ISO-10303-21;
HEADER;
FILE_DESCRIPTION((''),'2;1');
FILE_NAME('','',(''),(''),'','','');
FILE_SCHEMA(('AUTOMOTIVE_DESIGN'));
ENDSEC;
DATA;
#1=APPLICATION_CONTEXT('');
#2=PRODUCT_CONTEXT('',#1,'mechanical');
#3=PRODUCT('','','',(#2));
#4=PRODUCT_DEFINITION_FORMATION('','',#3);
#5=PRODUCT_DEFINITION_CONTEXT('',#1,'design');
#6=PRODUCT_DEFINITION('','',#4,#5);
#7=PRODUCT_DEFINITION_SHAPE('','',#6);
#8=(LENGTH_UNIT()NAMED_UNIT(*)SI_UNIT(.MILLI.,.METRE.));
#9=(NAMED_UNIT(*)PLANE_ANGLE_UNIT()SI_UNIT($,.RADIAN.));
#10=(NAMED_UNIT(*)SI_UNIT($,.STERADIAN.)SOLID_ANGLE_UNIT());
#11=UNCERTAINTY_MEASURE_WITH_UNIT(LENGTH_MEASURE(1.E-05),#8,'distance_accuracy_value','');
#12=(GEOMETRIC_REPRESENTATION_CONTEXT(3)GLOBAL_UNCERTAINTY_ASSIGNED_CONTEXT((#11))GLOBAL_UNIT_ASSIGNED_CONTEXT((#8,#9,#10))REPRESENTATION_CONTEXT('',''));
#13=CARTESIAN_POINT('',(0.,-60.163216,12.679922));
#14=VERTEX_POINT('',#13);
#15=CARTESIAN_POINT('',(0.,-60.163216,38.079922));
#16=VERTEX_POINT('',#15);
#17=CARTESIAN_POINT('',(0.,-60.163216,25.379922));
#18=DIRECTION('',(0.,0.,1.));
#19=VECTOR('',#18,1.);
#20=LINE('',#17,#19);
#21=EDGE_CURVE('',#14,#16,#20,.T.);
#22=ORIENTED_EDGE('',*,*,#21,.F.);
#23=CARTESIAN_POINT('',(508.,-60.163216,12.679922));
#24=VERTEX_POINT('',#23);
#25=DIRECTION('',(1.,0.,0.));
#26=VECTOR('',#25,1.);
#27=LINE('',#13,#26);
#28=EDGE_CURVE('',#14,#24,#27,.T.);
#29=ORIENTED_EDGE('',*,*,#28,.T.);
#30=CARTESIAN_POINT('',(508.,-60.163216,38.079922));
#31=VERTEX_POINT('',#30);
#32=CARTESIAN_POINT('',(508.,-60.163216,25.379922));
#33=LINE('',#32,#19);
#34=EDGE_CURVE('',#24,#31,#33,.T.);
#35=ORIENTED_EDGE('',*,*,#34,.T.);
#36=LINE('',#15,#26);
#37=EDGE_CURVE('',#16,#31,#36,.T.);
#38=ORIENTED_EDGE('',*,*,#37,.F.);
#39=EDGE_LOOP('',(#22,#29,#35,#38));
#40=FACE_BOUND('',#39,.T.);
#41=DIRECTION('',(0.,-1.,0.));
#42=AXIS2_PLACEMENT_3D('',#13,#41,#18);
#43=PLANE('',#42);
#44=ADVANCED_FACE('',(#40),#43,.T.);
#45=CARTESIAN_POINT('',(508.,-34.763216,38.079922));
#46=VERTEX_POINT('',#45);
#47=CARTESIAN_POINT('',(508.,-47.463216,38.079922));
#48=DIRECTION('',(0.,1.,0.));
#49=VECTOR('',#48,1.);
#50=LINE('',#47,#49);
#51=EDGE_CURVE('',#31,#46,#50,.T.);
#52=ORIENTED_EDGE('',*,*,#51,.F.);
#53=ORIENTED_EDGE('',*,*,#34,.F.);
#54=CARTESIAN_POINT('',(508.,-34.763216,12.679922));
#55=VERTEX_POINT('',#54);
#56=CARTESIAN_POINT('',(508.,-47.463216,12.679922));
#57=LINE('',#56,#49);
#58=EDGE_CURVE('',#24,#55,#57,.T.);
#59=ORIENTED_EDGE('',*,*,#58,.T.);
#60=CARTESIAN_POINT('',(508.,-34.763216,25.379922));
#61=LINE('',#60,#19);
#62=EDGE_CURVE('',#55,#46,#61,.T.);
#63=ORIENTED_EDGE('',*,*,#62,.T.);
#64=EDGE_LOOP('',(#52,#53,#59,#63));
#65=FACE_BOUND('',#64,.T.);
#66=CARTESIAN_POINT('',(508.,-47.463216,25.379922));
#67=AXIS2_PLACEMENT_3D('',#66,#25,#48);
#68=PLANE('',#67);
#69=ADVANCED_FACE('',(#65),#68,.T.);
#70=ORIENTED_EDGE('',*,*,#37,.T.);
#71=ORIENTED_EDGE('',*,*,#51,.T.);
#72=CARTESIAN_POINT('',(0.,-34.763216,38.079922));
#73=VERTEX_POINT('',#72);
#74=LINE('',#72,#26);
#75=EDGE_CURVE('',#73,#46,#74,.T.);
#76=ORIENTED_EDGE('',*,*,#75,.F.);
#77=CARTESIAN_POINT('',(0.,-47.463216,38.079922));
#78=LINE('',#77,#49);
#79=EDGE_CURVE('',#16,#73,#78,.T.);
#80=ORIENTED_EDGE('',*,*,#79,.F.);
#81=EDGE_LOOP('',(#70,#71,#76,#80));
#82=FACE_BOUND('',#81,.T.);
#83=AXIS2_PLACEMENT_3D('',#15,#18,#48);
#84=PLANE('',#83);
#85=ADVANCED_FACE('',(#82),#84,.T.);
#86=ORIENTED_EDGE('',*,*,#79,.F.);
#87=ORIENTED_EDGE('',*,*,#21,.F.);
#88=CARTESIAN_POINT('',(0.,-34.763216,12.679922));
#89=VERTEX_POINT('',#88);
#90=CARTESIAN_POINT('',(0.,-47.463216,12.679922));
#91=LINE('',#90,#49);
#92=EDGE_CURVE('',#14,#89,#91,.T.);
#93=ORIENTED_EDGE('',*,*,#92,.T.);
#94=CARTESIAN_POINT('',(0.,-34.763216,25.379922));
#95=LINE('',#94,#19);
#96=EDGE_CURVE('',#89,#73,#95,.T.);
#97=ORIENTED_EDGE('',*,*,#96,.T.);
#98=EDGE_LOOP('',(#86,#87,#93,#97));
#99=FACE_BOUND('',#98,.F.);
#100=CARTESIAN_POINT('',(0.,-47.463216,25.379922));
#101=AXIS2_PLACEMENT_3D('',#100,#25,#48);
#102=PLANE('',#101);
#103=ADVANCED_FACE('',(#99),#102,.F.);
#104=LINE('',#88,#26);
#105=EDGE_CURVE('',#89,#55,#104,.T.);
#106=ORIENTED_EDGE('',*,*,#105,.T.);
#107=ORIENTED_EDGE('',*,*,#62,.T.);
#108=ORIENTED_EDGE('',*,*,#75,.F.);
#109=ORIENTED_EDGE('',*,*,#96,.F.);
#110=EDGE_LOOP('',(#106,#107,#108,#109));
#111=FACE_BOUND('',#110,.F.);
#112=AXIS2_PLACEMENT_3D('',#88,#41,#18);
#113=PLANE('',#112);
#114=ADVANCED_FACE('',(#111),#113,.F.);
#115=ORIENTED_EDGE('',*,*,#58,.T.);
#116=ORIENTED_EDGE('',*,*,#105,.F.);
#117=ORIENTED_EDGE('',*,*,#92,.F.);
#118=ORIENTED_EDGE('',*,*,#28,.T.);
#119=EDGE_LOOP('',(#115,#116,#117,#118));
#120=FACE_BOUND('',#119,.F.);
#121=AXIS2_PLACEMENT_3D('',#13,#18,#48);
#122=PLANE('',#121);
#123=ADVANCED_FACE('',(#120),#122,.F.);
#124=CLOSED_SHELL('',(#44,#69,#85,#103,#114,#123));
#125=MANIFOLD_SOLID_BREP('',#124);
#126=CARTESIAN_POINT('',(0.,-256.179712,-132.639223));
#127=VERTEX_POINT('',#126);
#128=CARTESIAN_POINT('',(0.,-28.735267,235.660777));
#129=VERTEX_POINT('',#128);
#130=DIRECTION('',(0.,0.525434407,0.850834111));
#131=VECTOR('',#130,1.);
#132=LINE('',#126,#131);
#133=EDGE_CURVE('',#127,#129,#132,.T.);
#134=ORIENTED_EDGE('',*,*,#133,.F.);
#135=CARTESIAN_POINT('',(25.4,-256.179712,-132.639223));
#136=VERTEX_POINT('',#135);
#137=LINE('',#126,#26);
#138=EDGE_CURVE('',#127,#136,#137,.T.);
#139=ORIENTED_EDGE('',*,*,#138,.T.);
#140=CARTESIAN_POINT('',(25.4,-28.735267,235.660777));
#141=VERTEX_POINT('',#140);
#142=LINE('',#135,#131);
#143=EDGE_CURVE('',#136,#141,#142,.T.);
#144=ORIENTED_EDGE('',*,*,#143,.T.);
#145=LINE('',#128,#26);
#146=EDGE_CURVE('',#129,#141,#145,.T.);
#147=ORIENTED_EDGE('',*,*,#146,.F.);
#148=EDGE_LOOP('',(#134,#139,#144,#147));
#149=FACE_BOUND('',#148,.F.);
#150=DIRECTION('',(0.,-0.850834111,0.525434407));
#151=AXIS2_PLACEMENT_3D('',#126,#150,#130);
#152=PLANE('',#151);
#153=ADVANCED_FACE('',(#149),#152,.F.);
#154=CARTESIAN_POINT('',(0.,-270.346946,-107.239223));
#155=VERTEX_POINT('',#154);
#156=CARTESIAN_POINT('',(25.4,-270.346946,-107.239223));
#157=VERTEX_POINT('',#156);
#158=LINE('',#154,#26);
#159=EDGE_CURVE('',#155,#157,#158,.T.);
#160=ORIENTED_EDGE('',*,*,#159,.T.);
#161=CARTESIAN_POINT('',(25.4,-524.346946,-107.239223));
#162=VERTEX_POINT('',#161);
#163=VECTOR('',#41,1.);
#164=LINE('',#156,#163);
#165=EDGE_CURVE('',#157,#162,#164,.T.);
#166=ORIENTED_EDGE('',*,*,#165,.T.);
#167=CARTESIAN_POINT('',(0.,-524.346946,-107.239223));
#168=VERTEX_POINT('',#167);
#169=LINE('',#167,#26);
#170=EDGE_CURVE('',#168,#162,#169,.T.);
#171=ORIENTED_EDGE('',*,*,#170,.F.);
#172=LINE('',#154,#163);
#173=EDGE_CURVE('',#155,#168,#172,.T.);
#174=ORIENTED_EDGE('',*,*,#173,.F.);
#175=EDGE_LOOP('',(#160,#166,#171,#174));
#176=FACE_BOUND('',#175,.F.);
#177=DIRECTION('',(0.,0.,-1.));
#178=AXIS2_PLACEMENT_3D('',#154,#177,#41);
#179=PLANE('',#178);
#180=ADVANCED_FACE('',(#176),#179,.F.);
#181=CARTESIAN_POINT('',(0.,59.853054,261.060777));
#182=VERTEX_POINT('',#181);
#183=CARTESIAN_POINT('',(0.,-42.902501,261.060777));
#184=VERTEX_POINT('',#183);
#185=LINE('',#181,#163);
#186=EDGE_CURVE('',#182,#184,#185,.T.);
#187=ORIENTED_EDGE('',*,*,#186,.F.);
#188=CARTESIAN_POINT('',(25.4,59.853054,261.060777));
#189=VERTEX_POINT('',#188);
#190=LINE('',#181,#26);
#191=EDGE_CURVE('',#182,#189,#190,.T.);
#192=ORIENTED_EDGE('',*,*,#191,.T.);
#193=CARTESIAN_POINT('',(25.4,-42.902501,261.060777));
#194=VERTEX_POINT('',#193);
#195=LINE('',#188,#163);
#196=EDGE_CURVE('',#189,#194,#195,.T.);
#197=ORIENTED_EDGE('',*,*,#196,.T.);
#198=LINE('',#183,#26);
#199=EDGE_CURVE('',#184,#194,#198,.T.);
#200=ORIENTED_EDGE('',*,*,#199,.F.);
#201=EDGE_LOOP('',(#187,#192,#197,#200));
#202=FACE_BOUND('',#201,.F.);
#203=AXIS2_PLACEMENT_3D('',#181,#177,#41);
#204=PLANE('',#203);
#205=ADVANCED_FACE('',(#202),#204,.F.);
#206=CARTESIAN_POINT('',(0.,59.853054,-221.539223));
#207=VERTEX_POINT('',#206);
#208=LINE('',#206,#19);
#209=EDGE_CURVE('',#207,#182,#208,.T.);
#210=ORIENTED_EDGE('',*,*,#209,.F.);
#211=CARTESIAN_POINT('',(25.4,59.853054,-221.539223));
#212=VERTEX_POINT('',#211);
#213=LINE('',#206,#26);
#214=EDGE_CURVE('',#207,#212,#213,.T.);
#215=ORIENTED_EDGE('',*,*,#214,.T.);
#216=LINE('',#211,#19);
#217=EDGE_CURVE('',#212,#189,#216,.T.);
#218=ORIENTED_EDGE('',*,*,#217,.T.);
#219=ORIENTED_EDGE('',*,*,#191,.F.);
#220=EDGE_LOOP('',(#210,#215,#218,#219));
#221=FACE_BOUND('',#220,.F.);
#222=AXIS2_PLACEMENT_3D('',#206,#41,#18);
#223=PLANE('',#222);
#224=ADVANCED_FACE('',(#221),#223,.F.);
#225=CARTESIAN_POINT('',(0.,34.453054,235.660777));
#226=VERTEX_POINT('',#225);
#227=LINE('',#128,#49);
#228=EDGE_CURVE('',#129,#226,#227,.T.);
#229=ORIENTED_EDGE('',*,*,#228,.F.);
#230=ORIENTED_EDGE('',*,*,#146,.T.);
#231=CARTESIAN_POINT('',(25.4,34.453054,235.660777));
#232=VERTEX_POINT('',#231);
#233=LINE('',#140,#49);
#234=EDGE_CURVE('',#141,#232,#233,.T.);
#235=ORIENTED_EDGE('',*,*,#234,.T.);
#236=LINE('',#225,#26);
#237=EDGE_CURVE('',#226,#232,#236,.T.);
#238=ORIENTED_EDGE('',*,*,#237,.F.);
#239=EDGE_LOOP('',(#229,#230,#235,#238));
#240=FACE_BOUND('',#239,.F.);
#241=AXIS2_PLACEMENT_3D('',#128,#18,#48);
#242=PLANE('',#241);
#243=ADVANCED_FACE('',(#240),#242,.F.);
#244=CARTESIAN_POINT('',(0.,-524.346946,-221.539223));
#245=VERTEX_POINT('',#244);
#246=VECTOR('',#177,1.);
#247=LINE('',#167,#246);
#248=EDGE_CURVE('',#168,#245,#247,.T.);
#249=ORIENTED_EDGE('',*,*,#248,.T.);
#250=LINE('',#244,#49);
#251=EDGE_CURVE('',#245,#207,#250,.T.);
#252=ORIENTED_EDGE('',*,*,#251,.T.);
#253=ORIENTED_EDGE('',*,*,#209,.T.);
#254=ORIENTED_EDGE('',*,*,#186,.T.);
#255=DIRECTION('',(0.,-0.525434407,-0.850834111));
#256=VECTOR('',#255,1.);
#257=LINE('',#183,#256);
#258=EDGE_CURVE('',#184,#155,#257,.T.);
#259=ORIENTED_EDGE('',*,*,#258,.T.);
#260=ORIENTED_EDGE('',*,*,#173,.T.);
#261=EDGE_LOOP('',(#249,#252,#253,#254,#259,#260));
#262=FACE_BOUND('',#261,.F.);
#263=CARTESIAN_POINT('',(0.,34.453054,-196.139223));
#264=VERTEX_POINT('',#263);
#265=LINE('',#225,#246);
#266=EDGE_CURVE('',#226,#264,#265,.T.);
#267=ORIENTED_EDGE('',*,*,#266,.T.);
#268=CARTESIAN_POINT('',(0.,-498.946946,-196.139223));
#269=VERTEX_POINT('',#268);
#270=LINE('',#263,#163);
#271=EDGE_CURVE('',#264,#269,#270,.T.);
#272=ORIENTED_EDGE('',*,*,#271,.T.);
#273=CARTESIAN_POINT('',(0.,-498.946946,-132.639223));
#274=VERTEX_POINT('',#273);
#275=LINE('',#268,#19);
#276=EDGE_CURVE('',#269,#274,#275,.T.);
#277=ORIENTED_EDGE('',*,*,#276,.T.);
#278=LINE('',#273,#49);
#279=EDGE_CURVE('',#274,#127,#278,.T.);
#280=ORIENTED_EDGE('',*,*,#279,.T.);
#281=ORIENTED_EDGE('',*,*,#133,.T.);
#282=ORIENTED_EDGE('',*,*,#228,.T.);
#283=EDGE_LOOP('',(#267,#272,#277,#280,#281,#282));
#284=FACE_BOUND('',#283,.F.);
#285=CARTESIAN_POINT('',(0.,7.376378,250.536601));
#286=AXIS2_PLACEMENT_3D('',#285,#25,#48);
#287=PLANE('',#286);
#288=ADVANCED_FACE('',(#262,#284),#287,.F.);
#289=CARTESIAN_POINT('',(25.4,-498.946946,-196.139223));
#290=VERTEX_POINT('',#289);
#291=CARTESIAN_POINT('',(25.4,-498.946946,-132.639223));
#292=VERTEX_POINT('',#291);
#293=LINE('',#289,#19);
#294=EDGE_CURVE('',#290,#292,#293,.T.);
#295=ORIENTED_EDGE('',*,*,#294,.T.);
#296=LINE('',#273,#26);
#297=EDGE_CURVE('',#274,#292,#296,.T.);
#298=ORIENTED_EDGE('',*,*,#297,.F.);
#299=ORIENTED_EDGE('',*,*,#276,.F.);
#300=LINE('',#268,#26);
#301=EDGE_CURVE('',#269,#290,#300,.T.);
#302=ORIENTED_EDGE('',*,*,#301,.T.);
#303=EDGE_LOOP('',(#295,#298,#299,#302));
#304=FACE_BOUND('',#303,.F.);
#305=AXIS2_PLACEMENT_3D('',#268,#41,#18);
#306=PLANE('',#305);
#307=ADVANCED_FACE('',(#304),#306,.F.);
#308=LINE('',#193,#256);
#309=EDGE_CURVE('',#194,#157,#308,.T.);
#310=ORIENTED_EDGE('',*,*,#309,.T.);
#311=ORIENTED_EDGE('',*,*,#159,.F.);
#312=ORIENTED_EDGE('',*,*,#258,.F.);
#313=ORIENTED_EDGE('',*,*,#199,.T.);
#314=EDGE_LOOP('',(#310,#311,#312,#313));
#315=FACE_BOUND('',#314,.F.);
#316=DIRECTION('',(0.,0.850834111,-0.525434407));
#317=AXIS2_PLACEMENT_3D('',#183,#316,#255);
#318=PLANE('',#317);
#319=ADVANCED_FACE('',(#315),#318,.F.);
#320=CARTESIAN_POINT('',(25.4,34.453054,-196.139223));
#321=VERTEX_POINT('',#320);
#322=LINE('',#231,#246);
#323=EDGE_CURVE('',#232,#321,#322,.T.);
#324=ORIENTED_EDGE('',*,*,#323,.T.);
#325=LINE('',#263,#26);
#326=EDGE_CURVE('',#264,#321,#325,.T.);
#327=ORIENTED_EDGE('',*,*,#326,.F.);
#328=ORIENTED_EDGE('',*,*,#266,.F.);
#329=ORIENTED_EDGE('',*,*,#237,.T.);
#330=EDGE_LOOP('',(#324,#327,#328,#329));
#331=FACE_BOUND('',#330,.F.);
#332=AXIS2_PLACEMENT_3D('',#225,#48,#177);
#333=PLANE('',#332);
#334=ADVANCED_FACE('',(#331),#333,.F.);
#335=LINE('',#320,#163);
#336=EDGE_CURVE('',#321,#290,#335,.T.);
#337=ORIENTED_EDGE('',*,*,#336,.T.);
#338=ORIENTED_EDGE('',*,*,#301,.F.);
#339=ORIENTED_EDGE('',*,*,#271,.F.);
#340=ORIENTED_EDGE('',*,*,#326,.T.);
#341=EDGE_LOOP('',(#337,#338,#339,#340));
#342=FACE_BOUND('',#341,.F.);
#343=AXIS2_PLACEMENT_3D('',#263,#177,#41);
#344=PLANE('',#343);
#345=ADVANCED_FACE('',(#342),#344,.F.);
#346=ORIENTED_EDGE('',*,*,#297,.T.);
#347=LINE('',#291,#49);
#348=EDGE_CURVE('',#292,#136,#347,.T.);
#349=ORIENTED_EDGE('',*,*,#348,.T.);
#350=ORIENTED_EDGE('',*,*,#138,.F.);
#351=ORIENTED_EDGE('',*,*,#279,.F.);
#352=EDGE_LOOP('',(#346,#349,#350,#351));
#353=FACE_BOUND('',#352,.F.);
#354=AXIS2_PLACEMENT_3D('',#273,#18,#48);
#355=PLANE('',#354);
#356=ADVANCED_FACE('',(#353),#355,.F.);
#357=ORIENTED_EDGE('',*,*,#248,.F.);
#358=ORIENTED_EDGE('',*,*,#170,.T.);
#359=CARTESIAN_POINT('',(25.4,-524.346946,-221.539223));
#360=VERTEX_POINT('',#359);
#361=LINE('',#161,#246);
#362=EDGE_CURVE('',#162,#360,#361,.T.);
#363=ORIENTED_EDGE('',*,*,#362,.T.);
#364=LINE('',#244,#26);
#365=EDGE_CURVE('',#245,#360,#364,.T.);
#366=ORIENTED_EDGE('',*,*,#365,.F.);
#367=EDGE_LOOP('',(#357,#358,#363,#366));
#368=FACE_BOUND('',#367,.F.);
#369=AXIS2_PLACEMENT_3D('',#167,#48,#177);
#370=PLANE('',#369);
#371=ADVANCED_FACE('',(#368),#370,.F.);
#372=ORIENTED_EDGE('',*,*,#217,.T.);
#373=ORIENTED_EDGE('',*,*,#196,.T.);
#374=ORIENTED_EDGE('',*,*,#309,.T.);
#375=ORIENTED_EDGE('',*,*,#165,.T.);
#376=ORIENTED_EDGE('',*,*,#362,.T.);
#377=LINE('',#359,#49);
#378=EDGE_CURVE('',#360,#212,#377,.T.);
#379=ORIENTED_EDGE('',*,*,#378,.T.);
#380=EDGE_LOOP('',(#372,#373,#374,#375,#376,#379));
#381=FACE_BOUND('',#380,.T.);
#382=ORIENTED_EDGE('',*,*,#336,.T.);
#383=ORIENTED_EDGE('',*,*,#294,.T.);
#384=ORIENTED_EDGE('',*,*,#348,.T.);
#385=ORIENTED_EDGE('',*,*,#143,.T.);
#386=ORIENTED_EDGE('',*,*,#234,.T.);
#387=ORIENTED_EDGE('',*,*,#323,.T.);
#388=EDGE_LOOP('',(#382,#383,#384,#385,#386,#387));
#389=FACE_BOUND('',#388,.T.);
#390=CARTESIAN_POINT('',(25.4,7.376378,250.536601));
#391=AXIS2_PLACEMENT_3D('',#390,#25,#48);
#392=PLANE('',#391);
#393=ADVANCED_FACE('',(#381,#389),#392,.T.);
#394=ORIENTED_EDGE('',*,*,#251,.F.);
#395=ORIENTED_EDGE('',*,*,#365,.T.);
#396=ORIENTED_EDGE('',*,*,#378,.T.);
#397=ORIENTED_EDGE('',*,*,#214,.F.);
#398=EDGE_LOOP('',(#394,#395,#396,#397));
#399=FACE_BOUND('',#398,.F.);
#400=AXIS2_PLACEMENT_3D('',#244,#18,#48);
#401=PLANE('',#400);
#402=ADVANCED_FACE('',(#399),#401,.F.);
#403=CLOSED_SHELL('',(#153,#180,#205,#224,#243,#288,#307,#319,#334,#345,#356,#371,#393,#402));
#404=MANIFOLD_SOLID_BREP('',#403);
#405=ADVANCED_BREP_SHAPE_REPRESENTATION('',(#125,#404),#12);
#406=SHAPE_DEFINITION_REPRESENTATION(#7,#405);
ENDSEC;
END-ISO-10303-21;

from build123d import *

# Parameters (mm, degrees)
F1_DEPTH = 25.4
F2_W     = 25.4
F2_H     = 25.4
F3_DEPTH = 508


with BuildPart() as f1:
    # F0 (on Right) → F1 (new body)
    with BuildSketch(Plane.YZ):
        Polygon((34.453054, 235.660777), (59.853054, 261.060777), (-42.902501, 261.060777), (-28.735267, 235.660777), align=None)
        Polygon((-28.735267, 235.660777), (-42.902501, 261.060777), (-270.346946, -107.239223), (-256.179712, -132.639223), align=None)
        Polygon((-256.179712, -132.639223), (-270.346946, -107.239223), (-524.346946, -107.239223), (-498.946946, -132.639223), align=None)
        Polygon((-524.346946, -107.239223), (-524.346946, -221.539223), (-498.946946, -196.139223), (-498.946946, -132.639223), align=None)
        Polygon((-524.346946, -221.539223), (59.853054, -221.539223), (34.453054, -196.139223), (-498.946946, -196.139223), align=None)
        Polygon((59.853054, -221.539223), (59.853054, 261.060777), (34.453054, 235.660777), (34.453054, -196.139223), align=None)
    extrude(amount=F1_DEPTH)


with BuildPart() as f3:
    # F2 (on Right) → F3 (new body)
    with BuildSketch(Plane.YZ):
        with Locations((-47.463216, 25.379922)):
            Rectangle(F2_W, F2_H)
    extrude(amount=F3_DEPTH)


solid = Compound([f1.part, f3.part])
